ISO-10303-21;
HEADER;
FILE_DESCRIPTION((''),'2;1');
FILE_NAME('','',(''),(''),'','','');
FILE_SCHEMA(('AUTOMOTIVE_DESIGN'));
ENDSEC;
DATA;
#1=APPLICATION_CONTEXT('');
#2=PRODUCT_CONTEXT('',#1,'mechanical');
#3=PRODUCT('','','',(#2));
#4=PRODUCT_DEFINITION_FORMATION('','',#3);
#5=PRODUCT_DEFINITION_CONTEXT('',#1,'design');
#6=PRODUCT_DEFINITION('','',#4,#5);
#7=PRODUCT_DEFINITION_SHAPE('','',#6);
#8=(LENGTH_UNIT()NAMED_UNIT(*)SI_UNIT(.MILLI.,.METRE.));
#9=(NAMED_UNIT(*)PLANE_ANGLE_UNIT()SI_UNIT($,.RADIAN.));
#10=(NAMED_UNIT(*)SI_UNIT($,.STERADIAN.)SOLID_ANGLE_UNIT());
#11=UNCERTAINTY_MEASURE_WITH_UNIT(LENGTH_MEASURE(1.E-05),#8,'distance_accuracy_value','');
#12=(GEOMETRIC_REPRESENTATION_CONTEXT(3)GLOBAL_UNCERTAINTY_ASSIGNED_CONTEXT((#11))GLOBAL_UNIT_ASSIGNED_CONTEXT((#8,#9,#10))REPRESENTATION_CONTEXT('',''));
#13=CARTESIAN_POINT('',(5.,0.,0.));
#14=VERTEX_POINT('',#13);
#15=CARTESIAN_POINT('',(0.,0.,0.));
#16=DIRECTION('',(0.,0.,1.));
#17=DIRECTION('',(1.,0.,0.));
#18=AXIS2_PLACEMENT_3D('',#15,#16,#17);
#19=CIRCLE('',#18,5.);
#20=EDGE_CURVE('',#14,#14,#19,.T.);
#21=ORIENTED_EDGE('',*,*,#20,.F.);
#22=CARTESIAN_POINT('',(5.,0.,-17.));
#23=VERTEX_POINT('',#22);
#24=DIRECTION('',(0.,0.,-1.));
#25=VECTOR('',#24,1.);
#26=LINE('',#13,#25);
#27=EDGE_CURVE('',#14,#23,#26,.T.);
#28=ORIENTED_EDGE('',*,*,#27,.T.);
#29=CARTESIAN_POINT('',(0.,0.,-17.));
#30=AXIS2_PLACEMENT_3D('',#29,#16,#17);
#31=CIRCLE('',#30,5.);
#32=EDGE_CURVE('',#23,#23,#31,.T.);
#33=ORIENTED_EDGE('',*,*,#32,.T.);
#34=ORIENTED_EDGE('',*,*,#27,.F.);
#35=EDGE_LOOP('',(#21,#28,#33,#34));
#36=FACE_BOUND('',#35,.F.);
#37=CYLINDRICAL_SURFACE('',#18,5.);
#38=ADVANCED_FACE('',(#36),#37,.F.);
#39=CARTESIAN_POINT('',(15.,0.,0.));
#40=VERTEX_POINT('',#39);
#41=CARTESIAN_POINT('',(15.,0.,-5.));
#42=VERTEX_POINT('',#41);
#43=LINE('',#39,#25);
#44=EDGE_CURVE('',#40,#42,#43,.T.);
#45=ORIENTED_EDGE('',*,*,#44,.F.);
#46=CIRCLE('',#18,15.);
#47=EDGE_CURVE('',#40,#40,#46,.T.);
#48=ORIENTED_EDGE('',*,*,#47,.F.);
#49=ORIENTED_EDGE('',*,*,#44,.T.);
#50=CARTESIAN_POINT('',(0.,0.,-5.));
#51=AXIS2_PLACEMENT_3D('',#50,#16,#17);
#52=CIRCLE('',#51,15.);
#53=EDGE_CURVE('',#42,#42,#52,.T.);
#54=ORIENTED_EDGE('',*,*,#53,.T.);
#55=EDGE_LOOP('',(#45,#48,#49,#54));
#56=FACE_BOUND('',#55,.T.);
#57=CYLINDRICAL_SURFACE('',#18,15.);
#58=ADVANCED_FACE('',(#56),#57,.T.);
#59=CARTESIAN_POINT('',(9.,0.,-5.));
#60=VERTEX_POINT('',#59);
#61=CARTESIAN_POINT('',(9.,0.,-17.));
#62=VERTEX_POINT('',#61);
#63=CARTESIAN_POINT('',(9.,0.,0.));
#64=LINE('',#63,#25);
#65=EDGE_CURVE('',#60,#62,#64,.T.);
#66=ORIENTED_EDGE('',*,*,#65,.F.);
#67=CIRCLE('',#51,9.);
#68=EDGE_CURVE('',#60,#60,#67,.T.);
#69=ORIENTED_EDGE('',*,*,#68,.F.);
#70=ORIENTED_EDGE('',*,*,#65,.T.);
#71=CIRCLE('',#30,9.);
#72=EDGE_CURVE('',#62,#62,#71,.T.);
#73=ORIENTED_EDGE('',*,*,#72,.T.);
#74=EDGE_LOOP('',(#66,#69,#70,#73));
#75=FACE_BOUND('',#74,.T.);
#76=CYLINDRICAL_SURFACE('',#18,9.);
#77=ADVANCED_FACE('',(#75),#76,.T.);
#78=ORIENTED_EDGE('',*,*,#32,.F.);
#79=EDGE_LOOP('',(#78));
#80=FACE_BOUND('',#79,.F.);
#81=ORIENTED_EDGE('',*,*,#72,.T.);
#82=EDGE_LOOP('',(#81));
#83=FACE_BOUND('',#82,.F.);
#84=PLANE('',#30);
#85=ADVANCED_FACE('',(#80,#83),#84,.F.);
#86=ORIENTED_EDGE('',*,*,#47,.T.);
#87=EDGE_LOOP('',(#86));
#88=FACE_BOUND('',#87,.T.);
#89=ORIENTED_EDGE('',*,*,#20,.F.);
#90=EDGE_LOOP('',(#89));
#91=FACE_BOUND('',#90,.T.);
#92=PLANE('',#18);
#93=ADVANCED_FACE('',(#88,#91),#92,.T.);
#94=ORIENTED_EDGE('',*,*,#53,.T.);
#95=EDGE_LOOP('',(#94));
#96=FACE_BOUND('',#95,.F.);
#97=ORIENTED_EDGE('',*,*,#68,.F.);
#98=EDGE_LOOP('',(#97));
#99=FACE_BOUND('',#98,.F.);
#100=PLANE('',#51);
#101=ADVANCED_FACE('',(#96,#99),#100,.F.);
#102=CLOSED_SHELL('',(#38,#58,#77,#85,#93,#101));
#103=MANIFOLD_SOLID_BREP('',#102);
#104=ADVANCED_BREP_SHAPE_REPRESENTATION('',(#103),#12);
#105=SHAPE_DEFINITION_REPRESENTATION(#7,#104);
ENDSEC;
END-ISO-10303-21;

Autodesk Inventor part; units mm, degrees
ref_plane "YZ Plane" through (0, 0, 0) normal (1, 0, 0) x (0, 1, 0)
ref_plane "XZ Plane" through (0, 0, 0) normal (0, 1, 0) x (-1, 0, 0)
ref_plane "XY Plane" through (0, 0, 0) normal (0, 0, 1) x (1, 0, 0)
sketch "Sketch2" plane through (0, 0, 0) normal (0, 0, 1) x (1, 0, 0)
  circle A0 centre (0, 0) radius 15
  dimension "d0" = 30
extrude "Extrusion1" add sketch "Sketch2" against normal blind 5
sketch "Sketch3" plane through (0, 0, 0) normal (0, 0, 1) x (1, 0, 0)
  circle A0 centre (0, 0) radius 9
  dimension "d3" = 18
extrude "Extrusion2" add sketch "Sketch3" against normal blind 17
sketch "Sketch4" plane through (0, 0, 0) normal (0, 0, 1) x (1, 0, 0)
  circle A0 centre (0, 0) radius 5
  dimension "d6" = 10
extrude "Extrusion3" cut sketch "Sketch4" against normal blind 17
equation "\"BendRadius\" = Thickness"
equation "\"BendReliefWidth\" = Thickness"
equation "\"BendReliefDepth\" = 0.5 * Thickness"
equation "\"CornerReliefSize\" = 4 * Thickness"
equation "\"MinimumRemnant\" = 2 * Thickness"
equation "\"TransitionRadius\" = BendRadius"
equation "\"JacobiRadiusSize\" = BendRadius"
equation "\"GapSize\" = Thickness"
equation "\"Thickness\" = 3.048"
properties part number "Bushing_beam_stempel_long"
